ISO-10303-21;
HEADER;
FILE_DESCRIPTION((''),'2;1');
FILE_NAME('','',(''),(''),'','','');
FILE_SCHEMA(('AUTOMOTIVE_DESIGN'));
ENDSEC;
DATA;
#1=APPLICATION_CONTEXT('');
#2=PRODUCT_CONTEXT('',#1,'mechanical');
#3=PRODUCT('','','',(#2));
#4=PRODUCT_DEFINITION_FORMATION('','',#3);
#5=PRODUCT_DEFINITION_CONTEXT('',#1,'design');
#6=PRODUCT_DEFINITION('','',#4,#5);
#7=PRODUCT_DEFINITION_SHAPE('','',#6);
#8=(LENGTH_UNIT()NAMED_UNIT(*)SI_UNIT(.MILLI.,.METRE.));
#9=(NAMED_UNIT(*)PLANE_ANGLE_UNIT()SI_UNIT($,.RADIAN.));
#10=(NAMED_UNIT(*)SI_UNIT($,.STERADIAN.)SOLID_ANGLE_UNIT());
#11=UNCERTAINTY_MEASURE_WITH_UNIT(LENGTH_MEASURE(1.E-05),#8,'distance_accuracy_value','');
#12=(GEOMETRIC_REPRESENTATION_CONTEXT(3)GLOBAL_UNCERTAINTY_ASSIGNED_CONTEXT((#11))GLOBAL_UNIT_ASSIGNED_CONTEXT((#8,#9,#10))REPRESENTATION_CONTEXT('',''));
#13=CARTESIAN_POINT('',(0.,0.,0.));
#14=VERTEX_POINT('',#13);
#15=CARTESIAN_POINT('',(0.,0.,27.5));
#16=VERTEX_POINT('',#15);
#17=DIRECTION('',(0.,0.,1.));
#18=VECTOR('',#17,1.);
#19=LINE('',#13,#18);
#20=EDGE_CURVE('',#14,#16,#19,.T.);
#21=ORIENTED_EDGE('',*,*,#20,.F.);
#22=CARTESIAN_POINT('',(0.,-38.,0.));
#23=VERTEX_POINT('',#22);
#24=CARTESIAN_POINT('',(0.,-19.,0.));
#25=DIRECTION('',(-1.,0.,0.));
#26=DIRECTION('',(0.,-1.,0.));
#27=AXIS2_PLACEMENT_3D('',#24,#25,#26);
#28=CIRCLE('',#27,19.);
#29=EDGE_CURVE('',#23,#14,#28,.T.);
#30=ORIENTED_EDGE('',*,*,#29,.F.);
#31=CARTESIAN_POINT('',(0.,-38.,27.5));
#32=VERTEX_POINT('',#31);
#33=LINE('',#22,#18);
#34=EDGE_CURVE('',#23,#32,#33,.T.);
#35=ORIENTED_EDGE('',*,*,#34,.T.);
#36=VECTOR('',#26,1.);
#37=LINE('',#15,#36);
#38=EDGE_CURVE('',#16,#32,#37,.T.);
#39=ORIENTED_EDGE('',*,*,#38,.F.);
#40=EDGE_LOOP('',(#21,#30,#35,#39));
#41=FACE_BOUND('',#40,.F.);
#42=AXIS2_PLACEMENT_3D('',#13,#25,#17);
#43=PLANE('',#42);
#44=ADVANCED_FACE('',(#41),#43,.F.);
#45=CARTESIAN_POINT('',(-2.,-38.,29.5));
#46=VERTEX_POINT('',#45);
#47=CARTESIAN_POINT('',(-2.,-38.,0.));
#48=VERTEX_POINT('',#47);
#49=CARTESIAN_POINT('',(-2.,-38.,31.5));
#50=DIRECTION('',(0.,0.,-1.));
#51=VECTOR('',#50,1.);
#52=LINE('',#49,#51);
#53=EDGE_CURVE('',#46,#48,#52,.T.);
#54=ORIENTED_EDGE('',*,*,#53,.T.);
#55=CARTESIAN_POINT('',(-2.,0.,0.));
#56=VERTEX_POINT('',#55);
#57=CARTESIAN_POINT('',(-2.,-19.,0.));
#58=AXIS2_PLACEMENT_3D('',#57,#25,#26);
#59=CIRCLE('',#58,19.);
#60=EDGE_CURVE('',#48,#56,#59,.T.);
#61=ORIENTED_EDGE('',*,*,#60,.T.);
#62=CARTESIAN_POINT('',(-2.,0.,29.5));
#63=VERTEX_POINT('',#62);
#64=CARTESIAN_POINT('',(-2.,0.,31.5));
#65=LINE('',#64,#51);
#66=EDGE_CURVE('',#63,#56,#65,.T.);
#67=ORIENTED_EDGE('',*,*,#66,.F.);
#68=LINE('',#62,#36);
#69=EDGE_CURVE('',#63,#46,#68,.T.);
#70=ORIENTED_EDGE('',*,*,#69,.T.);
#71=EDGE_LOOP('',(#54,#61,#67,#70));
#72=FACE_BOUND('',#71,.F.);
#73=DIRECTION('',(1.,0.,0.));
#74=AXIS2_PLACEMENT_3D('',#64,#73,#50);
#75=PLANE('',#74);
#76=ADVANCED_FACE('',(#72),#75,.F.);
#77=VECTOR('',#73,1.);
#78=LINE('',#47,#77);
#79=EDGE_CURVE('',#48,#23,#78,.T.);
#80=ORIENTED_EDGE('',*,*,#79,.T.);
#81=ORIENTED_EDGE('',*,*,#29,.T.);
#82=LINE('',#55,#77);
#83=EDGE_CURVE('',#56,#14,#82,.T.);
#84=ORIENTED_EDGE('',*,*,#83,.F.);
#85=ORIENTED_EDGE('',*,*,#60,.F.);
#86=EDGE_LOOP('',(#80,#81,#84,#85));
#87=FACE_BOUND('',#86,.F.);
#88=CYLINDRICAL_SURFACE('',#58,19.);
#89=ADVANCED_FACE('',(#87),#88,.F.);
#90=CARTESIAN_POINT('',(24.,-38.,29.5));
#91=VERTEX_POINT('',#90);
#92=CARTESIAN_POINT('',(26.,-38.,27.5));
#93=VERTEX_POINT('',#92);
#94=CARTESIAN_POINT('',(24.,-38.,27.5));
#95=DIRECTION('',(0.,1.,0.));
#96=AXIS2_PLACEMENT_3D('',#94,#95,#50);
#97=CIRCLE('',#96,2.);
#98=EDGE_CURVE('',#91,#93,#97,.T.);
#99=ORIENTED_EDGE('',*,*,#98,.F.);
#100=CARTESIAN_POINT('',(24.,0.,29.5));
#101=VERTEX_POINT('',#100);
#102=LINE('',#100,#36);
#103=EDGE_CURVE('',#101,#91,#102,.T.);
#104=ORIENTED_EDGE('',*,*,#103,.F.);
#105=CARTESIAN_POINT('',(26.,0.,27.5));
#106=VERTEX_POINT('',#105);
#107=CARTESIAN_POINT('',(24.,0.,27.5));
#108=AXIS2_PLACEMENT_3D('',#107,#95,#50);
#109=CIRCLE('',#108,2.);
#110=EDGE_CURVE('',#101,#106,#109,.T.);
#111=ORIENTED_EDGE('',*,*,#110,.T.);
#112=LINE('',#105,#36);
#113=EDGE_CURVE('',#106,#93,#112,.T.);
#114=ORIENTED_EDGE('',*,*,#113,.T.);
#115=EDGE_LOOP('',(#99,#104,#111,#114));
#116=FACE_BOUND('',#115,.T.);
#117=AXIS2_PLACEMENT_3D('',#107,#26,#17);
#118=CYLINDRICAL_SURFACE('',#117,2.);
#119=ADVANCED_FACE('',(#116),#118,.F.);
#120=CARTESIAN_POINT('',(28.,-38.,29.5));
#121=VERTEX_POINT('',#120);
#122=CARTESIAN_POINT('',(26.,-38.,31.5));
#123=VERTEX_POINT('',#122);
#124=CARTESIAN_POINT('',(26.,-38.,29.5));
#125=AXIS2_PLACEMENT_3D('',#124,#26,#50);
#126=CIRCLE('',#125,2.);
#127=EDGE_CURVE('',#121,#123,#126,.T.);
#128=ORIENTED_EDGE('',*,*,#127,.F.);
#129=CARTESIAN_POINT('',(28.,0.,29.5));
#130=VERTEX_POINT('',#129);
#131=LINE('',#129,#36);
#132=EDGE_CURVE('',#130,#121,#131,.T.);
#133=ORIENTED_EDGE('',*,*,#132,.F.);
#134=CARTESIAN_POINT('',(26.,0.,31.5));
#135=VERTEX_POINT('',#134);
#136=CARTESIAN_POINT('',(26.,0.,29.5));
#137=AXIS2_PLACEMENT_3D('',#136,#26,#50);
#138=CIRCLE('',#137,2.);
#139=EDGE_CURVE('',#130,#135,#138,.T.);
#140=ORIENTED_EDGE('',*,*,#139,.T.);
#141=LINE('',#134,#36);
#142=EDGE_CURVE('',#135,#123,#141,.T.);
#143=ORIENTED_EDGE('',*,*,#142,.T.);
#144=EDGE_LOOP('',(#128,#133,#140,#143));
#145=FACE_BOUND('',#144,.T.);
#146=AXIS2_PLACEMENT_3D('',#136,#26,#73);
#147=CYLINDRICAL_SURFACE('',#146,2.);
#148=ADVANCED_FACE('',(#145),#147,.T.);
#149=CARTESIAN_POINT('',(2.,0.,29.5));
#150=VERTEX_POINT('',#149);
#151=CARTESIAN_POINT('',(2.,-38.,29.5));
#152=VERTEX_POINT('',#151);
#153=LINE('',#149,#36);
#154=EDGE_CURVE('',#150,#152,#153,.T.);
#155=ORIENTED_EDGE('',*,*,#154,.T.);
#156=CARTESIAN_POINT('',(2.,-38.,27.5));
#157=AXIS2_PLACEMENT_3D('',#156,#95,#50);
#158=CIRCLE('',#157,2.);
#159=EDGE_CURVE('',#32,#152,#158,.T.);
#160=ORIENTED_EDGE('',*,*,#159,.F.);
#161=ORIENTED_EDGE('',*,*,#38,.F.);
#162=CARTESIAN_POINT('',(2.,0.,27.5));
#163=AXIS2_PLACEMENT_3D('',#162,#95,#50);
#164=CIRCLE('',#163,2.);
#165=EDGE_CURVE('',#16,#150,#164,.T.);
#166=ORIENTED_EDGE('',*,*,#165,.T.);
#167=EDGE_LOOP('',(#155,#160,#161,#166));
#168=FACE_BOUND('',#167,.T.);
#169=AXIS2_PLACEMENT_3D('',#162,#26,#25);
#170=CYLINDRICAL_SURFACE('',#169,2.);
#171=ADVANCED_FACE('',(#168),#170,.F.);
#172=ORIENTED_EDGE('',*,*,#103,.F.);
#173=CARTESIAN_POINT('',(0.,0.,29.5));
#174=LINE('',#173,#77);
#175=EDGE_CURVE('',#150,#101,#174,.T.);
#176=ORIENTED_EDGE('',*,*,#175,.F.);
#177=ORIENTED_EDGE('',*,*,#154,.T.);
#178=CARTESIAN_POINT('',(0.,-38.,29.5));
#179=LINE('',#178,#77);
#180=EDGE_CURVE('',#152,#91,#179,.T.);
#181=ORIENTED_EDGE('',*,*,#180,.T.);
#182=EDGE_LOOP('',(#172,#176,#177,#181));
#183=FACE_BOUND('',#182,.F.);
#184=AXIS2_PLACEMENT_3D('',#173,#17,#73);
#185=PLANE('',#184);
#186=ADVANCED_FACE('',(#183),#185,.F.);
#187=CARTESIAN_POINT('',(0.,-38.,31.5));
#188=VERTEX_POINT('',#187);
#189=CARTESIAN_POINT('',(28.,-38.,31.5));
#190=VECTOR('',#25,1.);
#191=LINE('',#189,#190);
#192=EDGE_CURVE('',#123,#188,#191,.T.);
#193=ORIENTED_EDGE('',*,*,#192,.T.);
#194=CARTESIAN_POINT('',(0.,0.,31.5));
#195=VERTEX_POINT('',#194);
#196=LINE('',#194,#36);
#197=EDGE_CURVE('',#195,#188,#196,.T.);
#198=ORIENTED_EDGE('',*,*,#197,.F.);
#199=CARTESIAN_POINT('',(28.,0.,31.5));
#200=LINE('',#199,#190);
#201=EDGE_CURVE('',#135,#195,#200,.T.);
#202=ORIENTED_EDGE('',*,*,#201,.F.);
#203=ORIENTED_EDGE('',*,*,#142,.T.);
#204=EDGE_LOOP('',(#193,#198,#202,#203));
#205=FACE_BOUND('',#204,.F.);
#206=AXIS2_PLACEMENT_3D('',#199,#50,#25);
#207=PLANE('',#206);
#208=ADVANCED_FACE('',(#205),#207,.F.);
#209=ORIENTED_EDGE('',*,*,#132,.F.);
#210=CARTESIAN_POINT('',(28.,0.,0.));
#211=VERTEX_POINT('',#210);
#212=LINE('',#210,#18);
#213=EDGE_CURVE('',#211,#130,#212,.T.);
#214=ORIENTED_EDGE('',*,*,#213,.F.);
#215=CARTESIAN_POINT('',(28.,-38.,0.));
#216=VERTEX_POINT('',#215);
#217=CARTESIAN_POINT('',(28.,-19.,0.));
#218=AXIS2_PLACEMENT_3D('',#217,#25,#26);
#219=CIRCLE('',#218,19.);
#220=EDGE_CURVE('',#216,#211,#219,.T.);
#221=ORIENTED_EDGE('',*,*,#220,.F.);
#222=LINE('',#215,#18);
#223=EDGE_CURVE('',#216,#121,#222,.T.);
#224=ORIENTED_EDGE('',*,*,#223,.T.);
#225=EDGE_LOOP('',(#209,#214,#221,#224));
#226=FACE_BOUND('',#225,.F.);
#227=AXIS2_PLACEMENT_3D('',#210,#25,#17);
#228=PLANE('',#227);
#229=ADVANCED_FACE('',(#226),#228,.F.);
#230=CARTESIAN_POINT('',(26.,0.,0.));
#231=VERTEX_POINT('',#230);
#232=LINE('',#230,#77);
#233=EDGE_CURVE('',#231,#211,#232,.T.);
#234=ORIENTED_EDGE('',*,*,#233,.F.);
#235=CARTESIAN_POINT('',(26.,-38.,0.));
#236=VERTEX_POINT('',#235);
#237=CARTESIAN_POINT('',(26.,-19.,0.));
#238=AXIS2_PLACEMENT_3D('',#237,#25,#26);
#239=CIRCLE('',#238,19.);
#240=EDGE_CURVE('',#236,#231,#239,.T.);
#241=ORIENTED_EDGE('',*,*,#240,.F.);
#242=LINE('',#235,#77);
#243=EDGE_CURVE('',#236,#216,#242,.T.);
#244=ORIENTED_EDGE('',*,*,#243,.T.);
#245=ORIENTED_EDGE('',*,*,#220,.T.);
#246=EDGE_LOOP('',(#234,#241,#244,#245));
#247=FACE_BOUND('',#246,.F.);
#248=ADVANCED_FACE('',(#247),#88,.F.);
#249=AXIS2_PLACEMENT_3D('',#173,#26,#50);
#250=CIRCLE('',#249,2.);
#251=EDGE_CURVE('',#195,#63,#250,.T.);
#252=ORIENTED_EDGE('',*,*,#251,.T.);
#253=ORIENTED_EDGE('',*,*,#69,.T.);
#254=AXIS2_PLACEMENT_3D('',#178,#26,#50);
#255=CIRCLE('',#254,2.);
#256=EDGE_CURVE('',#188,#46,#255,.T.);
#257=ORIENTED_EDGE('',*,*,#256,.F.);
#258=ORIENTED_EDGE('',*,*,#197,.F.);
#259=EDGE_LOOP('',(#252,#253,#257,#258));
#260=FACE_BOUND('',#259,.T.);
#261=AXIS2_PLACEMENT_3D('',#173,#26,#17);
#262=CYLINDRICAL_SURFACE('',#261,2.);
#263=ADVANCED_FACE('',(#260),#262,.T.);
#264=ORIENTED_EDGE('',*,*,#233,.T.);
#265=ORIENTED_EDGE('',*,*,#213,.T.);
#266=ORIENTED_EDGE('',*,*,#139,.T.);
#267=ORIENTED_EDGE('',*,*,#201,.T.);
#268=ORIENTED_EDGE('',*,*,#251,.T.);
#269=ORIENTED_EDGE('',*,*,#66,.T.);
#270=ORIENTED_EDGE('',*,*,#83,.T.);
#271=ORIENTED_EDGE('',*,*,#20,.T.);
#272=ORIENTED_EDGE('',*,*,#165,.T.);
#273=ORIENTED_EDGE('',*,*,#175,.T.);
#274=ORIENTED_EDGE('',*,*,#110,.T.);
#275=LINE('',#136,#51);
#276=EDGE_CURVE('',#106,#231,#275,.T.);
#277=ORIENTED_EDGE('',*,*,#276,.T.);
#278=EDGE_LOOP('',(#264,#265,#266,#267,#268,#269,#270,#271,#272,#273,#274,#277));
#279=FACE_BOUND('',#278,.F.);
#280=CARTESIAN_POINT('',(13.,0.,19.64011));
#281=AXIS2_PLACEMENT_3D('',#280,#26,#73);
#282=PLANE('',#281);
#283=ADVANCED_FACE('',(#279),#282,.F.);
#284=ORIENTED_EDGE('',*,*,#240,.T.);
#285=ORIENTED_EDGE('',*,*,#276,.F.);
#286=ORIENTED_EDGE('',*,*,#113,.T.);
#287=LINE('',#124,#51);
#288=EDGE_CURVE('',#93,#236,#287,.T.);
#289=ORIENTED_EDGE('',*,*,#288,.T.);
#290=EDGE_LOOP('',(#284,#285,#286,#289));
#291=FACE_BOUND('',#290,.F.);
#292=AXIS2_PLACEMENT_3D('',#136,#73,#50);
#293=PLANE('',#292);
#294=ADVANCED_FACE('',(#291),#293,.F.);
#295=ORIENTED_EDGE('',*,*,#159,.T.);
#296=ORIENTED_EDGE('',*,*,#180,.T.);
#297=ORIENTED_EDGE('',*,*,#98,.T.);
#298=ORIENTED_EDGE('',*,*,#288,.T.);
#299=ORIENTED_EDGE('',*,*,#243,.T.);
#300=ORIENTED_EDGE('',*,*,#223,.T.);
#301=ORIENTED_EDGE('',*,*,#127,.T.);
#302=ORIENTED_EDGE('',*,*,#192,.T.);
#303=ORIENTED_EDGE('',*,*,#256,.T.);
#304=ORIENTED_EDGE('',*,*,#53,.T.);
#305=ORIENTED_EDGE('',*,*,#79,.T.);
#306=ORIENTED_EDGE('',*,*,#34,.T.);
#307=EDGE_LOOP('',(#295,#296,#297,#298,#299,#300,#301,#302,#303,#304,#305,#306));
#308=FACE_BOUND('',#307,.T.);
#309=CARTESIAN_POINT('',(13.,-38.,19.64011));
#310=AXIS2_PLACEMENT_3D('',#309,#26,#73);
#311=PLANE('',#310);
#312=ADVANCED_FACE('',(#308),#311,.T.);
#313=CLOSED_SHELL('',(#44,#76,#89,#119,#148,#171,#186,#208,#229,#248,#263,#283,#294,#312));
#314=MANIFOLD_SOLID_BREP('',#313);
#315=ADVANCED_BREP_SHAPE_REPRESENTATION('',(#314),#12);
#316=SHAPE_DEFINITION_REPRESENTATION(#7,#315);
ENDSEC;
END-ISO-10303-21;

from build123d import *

# Parameters (mm, degrees)
F1_DEPTH = 38
F3_DEPTH = 30.001
F4_R     = 2


with BuildPart() as f1:
    # F0 (on Front) → F1 (new body)
    with BuildSketch(Plane.XZ):
        Polygon((-2, 0), (0, 0), (0, 29.5), (26, 29.5), (26, 0), (28, 0), (28, 31.5), (-2, 31.5), align=None)
    extrude(amount=F1_DEPTH)

    # F2 (on face) → F3 (cut, through all)
    with BuildSketch(Plane(origin=(-2, 0, 0), x_dir=(0, -1, 0), z_dir=(-1, 0, 0))):
        with BuildLine():
            ThreePointArc((0, 0), (19, -19), (38, 0))
            Line((38, 0), (0, 0))
        make_face()
        with BuildLine():
            Line((0, 0), (38, 0))
            ThreePointArc((38, 0), (19, 19), (0, 0))
        make_face()
    extrude(amount=-F3_DEPTH, mode=Mode.SUBTRACT)

    # F4
    f4_edges = [f1.edges().sort_by_distance(p)[0] for p in [
        (26, -19, 29.5),
        (0, -19, 29.5),
        (28, -19, 31.5),
        (-2, -19, 31.5),
    ]]
    fillet(f4_edges, radius=F4_R)


solid = f1.part
